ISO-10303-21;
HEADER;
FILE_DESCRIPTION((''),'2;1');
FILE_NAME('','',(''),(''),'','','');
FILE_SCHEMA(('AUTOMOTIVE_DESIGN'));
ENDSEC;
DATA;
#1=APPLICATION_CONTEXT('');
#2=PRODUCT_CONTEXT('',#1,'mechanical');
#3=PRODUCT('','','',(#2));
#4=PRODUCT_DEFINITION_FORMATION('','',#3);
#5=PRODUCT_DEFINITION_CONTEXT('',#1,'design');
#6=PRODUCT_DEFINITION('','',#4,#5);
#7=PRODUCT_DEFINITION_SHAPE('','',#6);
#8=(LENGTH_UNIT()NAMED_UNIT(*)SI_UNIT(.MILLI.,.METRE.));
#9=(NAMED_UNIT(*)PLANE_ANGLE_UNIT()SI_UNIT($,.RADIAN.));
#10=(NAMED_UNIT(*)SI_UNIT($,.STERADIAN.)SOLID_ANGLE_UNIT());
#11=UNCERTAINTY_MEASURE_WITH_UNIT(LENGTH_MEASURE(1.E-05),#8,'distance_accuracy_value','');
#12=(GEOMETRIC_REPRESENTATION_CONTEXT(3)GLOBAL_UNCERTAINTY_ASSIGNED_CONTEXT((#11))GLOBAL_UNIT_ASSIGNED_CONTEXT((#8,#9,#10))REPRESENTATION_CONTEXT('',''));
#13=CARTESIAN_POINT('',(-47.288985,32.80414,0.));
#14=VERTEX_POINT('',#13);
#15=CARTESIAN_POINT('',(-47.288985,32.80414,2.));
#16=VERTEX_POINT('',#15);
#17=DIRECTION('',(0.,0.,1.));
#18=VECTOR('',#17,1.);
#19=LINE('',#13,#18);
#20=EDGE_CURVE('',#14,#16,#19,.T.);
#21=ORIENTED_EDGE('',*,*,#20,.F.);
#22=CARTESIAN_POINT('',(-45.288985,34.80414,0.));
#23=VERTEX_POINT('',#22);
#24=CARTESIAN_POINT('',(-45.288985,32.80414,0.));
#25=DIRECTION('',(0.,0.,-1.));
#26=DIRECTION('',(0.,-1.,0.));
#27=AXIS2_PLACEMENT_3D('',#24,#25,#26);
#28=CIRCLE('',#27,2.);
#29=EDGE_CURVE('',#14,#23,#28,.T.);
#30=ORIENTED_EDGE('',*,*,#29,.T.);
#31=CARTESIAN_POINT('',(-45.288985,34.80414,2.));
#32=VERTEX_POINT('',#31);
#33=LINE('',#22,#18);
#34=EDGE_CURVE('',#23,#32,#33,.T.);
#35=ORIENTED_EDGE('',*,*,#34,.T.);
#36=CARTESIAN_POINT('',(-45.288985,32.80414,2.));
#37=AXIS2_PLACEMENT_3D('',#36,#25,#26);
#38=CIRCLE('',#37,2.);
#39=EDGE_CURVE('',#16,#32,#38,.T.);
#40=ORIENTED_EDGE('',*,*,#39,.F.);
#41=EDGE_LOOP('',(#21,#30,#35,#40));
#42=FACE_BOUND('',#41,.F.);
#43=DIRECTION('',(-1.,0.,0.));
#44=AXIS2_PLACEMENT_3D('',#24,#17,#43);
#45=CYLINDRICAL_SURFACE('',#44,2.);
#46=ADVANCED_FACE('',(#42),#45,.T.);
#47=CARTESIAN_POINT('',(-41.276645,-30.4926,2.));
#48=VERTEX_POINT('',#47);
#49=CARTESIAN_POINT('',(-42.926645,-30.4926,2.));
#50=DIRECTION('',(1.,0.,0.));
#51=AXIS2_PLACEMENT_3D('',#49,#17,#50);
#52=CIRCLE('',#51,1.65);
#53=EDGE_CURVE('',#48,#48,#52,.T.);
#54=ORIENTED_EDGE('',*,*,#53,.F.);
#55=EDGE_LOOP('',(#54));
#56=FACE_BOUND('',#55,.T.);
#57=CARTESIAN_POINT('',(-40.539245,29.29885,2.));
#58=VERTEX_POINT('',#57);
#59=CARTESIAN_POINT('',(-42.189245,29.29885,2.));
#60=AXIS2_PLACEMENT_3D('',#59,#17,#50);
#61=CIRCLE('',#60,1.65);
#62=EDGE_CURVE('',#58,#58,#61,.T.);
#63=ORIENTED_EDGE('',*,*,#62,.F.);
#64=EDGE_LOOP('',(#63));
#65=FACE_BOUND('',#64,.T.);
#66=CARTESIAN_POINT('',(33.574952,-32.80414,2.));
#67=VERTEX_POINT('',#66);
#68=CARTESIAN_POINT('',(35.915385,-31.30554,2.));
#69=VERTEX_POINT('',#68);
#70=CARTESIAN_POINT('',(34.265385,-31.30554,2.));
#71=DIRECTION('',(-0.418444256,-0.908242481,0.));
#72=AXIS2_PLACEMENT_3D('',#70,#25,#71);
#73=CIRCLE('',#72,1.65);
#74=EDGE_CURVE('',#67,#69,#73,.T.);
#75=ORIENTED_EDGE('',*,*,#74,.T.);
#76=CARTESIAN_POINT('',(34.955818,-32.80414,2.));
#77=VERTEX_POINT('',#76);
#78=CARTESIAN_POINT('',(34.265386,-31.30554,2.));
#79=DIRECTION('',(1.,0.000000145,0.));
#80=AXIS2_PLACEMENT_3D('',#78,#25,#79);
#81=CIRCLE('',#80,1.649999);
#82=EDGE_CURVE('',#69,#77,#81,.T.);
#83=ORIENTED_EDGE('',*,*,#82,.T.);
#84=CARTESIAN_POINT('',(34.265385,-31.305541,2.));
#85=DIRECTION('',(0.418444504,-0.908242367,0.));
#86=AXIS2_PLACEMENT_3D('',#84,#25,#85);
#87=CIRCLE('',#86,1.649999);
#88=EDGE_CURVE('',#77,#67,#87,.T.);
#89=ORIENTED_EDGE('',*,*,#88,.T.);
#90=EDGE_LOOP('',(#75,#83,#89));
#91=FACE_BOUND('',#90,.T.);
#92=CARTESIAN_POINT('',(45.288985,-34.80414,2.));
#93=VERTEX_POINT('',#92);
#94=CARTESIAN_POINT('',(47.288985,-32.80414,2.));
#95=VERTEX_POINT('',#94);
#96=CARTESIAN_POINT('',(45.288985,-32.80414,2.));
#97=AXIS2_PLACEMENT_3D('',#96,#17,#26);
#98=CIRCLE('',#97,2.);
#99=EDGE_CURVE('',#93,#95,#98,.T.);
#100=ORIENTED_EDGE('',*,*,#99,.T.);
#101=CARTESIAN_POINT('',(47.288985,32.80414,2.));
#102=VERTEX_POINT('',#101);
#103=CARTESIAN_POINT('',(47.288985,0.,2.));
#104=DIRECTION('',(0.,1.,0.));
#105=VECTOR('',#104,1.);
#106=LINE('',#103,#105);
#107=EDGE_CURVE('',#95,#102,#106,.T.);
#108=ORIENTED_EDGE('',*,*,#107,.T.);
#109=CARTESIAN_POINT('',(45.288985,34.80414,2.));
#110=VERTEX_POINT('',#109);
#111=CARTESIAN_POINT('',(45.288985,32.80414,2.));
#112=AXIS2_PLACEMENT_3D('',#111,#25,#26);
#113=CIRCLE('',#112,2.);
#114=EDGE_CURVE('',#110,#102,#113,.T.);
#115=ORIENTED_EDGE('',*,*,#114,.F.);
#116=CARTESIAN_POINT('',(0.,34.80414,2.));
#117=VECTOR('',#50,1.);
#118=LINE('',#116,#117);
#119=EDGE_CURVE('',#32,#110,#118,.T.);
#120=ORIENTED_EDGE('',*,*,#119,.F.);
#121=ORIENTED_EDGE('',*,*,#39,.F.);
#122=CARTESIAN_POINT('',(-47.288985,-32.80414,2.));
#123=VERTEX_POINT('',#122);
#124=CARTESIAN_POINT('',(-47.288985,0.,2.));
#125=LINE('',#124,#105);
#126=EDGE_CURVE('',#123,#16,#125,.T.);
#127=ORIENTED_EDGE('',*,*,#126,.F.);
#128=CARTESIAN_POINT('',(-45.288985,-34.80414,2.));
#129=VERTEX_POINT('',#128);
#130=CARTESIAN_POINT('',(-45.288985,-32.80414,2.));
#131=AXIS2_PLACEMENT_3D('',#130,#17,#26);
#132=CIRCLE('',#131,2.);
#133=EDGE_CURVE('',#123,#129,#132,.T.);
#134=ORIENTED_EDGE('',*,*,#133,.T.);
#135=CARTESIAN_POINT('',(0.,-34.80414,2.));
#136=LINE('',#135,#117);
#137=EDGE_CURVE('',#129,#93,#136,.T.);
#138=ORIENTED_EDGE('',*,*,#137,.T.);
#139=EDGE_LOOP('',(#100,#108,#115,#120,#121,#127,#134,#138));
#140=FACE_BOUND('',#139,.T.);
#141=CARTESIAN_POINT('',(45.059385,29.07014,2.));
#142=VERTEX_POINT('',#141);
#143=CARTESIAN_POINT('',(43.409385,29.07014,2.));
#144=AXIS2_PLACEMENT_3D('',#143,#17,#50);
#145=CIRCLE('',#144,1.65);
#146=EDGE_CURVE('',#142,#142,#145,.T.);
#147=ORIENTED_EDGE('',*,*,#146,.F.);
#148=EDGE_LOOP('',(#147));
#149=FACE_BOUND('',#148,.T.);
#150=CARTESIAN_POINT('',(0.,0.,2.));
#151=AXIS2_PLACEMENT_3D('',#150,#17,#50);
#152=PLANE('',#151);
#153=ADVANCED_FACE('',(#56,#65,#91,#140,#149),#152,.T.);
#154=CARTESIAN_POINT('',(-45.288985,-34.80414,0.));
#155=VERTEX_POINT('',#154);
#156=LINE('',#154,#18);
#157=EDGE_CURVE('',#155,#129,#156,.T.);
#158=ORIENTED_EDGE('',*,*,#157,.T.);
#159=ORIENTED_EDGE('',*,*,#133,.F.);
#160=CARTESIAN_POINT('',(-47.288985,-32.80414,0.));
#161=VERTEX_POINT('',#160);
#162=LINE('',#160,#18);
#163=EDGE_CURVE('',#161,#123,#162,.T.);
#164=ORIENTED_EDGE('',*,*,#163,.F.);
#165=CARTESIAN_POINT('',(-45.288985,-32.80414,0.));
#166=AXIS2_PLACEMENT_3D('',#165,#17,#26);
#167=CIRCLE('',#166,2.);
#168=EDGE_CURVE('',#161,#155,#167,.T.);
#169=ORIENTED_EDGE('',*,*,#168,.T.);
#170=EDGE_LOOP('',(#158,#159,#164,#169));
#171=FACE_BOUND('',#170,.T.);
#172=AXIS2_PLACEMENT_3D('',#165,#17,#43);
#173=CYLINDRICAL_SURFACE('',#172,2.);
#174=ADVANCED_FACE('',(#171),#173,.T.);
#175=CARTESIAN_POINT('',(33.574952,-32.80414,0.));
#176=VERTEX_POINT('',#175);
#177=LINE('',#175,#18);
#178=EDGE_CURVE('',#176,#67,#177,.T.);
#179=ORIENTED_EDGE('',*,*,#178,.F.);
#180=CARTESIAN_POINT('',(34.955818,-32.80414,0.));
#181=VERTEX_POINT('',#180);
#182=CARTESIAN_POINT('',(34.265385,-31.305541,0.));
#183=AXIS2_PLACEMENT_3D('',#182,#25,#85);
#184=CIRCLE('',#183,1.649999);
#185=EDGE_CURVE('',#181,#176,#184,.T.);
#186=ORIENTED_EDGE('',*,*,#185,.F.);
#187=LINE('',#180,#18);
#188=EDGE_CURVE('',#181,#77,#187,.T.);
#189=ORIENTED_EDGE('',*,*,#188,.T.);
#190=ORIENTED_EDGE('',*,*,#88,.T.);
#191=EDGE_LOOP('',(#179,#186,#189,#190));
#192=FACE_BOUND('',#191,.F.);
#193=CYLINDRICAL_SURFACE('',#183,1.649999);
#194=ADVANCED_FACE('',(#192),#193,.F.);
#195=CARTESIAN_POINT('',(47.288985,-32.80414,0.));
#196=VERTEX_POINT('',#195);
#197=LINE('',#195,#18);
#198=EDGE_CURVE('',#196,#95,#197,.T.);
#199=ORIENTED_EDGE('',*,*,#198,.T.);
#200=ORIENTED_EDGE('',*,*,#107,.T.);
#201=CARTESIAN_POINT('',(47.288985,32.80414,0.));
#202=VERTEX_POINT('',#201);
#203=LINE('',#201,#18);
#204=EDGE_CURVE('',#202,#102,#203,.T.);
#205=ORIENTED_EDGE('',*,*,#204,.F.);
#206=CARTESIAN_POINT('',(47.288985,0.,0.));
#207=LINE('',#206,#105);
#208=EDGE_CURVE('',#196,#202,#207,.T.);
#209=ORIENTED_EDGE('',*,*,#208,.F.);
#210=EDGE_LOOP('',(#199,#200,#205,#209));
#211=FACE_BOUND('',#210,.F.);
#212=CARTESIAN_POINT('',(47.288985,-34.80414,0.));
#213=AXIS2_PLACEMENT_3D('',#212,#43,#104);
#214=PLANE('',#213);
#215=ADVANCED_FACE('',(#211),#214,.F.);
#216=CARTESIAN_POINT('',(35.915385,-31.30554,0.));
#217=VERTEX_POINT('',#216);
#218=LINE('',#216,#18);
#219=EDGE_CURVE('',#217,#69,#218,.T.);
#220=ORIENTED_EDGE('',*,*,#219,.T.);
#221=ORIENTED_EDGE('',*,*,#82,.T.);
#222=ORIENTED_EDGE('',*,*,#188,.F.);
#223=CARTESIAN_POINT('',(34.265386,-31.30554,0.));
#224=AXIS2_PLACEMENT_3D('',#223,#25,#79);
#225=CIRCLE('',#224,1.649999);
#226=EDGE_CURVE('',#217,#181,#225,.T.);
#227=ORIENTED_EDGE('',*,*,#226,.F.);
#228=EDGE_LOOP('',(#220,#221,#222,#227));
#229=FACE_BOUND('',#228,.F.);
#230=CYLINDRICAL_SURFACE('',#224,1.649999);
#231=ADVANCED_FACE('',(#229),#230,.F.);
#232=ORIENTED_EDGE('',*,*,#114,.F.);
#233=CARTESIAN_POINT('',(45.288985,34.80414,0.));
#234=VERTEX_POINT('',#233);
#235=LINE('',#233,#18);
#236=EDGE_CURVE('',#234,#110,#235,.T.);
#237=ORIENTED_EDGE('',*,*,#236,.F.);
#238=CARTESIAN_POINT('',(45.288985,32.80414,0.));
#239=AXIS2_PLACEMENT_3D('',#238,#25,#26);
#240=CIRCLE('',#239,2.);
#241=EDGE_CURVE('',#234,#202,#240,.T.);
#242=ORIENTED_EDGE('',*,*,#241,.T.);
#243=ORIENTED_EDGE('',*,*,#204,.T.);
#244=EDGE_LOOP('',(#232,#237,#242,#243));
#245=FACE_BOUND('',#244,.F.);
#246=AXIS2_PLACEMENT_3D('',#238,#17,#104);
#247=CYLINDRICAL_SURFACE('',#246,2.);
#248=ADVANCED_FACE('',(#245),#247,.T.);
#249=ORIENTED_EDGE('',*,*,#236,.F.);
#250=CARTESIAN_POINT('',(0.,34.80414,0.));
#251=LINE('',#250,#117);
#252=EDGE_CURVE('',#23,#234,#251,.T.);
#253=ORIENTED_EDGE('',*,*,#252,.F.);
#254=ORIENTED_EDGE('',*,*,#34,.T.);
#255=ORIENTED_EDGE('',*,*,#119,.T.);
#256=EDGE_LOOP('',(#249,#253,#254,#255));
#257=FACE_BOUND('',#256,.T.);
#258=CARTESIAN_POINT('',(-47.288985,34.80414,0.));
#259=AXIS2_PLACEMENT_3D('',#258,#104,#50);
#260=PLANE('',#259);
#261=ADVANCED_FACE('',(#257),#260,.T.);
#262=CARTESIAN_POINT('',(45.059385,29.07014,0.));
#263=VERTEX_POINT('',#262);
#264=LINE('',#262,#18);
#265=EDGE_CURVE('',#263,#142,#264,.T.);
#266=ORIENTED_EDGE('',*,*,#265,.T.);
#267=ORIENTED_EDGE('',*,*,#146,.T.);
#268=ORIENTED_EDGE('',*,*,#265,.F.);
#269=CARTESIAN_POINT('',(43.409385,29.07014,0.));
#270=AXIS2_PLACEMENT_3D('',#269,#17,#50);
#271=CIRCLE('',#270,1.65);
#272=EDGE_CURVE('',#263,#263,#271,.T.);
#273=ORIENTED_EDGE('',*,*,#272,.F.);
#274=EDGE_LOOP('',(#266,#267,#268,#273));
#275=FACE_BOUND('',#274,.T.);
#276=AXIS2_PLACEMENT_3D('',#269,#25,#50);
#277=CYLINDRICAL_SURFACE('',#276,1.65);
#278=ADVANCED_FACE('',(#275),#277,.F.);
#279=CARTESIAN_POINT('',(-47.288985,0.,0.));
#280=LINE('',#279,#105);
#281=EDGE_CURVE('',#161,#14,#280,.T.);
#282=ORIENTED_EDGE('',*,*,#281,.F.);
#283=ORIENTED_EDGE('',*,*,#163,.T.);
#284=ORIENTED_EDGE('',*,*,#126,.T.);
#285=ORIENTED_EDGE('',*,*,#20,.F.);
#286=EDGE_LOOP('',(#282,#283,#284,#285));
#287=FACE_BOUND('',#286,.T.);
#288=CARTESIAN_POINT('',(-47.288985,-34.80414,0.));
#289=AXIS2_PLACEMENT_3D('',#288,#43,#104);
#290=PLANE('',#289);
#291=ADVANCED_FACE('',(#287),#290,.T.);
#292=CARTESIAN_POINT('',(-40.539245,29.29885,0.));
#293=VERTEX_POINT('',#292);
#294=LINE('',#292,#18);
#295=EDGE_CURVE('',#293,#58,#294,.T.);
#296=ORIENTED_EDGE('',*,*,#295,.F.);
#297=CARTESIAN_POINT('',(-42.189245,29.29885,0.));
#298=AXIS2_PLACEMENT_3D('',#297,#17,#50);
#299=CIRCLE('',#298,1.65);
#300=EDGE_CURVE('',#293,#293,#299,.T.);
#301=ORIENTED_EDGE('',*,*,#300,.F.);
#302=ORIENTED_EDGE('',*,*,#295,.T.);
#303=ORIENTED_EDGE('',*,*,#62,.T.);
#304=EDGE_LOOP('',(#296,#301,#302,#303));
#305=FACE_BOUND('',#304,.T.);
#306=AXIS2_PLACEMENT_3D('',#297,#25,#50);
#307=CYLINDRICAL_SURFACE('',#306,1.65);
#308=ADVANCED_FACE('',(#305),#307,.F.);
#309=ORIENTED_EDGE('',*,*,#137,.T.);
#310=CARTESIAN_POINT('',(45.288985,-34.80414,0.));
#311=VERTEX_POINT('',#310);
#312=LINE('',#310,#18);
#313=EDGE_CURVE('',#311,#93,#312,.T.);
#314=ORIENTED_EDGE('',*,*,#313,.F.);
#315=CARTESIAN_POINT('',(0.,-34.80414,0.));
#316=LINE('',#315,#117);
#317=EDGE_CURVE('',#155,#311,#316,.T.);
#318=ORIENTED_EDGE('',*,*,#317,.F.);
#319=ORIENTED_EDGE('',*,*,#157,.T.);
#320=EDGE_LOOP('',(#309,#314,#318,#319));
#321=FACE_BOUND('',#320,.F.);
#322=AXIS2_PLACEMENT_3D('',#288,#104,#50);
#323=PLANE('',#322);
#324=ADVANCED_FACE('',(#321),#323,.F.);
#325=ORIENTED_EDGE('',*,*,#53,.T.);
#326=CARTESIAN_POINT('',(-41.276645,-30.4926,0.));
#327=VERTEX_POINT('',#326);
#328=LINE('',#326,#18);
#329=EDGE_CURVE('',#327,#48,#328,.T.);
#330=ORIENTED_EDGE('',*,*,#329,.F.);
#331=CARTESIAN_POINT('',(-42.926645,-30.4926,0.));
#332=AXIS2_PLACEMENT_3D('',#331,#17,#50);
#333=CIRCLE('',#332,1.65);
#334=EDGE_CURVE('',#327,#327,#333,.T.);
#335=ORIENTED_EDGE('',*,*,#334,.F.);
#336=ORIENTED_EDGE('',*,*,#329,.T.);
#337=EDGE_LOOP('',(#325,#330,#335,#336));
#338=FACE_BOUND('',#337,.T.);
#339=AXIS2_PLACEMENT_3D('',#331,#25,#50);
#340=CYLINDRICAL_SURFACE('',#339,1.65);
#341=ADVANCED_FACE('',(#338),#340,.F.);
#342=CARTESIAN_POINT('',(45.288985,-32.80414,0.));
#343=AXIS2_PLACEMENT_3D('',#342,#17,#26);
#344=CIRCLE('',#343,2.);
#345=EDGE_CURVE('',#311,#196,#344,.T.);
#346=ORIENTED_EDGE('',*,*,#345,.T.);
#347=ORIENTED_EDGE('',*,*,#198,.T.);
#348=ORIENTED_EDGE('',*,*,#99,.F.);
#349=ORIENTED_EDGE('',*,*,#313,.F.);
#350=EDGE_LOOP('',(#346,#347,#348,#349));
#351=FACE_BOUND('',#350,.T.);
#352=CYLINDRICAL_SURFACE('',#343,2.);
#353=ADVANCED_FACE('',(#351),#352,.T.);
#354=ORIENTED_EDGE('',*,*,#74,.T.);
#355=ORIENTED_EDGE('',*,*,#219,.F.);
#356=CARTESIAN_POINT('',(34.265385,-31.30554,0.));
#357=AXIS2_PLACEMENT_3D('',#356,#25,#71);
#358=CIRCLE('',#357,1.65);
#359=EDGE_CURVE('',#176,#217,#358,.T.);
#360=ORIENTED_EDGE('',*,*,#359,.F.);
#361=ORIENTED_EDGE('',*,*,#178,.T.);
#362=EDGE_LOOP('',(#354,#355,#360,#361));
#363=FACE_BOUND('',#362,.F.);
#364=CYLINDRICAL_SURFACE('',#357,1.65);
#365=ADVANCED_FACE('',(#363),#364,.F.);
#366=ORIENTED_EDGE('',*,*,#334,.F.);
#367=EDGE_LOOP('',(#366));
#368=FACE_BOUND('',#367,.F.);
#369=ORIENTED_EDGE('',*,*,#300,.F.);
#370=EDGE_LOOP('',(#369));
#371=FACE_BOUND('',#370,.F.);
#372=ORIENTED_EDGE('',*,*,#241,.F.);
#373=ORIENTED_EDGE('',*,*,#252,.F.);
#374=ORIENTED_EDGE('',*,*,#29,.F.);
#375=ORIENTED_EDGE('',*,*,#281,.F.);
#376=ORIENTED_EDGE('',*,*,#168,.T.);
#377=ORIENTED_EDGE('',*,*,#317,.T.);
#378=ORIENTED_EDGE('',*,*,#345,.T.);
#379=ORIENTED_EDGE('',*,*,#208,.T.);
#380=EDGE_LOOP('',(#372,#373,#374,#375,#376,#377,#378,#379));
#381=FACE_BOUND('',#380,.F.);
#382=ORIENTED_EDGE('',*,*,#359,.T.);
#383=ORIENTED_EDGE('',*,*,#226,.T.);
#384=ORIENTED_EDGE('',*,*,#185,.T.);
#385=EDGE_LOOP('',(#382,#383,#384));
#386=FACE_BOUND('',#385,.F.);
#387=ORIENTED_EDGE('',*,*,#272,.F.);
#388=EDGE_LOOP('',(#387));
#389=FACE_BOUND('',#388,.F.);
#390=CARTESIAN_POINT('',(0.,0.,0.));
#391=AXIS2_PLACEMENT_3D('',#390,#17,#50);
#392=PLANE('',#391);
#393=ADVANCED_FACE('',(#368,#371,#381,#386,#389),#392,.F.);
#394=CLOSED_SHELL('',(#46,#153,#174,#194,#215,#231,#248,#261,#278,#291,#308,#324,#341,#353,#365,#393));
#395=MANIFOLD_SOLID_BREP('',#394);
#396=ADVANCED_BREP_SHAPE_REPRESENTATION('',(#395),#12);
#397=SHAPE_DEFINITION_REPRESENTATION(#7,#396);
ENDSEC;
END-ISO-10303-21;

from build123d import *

# Parameters (mm, degrees)
F0_W     = 94.57797
F0_H     = 69.60828
F0_R     = 1.65
F1_DEPTH = 2
F2_R     = 2


with BuildPart() as f1:
    # F0 (on Top) → F1 (new body)
    with BuildSketch(Plane.XY):
        Rectangle(F0_W, F0_H)
        with BuildLine():
            Line((45.288985, 32.80414), (45.288985, -32.80414))
            Line((45.288985, -32.80414), (34.955818, -32.80414))
            ThreePointArc((34.955818, -32.80414), (34.265385, -32.95554), (33.574952, -32.80414))
            Line((33.574952, -32.80414), (-45.288985, -32.80414))
            Line((-45.288985, -32.80414), (-45.288985, 32.80414))
            Line((-45.288985, 32.80414), (45.288985, 32.80414))
        make_face(mode=Mode.SUBTRACT)
        with BuildLine():
            Line((34.955818, -32.80414), (45.288985, -32.80414))
            Line((45.288985, -32.80414), (45.288985, 32.80414))
            Line((45.288985, 32.80414), (-45.288985, 32.80414))
            Line((-45.288985, 32.80414), (-45.288985, -32.80414))
            Line((-45.288985, -32.80414), (33.574952, -32.80414))
            ThreePointArc((33.574952, -32.80414), (33.375642, -29.915987), (35.915385, -31.30554))
            ThreePointArc((35.915385, -31.30554), (35.654938, -32.195283), (34.955818, -32.80414))
        make_face()
        with Locations((-42.926645, -30.4926)):
            Circle(F0_R, mode=Mode.SUBTRACT)
        with Locations((-42.189245, 29.29885)):
            Circle(F0_R, mode=Mode.SUBTRACT)
        with Locations((43.409385, 29.07014)):
            Circle(F0_R, mode=Mode.SUBTRACT)
    extrude(amount=F1_DEPTH)

    # F2
    f2_edges = [f1.edges().sort_by_distance(p)[0] for p in [
        (-47.288985, -34.80414, 1),
        (-47.288985, 34.80414, 1),
        (47.288985, -34.80414, 1),
        (47.288985, 34.80414, 1),
    ]]
    fillet(f2_edges, radius=F2_R)


solid = f1.part
